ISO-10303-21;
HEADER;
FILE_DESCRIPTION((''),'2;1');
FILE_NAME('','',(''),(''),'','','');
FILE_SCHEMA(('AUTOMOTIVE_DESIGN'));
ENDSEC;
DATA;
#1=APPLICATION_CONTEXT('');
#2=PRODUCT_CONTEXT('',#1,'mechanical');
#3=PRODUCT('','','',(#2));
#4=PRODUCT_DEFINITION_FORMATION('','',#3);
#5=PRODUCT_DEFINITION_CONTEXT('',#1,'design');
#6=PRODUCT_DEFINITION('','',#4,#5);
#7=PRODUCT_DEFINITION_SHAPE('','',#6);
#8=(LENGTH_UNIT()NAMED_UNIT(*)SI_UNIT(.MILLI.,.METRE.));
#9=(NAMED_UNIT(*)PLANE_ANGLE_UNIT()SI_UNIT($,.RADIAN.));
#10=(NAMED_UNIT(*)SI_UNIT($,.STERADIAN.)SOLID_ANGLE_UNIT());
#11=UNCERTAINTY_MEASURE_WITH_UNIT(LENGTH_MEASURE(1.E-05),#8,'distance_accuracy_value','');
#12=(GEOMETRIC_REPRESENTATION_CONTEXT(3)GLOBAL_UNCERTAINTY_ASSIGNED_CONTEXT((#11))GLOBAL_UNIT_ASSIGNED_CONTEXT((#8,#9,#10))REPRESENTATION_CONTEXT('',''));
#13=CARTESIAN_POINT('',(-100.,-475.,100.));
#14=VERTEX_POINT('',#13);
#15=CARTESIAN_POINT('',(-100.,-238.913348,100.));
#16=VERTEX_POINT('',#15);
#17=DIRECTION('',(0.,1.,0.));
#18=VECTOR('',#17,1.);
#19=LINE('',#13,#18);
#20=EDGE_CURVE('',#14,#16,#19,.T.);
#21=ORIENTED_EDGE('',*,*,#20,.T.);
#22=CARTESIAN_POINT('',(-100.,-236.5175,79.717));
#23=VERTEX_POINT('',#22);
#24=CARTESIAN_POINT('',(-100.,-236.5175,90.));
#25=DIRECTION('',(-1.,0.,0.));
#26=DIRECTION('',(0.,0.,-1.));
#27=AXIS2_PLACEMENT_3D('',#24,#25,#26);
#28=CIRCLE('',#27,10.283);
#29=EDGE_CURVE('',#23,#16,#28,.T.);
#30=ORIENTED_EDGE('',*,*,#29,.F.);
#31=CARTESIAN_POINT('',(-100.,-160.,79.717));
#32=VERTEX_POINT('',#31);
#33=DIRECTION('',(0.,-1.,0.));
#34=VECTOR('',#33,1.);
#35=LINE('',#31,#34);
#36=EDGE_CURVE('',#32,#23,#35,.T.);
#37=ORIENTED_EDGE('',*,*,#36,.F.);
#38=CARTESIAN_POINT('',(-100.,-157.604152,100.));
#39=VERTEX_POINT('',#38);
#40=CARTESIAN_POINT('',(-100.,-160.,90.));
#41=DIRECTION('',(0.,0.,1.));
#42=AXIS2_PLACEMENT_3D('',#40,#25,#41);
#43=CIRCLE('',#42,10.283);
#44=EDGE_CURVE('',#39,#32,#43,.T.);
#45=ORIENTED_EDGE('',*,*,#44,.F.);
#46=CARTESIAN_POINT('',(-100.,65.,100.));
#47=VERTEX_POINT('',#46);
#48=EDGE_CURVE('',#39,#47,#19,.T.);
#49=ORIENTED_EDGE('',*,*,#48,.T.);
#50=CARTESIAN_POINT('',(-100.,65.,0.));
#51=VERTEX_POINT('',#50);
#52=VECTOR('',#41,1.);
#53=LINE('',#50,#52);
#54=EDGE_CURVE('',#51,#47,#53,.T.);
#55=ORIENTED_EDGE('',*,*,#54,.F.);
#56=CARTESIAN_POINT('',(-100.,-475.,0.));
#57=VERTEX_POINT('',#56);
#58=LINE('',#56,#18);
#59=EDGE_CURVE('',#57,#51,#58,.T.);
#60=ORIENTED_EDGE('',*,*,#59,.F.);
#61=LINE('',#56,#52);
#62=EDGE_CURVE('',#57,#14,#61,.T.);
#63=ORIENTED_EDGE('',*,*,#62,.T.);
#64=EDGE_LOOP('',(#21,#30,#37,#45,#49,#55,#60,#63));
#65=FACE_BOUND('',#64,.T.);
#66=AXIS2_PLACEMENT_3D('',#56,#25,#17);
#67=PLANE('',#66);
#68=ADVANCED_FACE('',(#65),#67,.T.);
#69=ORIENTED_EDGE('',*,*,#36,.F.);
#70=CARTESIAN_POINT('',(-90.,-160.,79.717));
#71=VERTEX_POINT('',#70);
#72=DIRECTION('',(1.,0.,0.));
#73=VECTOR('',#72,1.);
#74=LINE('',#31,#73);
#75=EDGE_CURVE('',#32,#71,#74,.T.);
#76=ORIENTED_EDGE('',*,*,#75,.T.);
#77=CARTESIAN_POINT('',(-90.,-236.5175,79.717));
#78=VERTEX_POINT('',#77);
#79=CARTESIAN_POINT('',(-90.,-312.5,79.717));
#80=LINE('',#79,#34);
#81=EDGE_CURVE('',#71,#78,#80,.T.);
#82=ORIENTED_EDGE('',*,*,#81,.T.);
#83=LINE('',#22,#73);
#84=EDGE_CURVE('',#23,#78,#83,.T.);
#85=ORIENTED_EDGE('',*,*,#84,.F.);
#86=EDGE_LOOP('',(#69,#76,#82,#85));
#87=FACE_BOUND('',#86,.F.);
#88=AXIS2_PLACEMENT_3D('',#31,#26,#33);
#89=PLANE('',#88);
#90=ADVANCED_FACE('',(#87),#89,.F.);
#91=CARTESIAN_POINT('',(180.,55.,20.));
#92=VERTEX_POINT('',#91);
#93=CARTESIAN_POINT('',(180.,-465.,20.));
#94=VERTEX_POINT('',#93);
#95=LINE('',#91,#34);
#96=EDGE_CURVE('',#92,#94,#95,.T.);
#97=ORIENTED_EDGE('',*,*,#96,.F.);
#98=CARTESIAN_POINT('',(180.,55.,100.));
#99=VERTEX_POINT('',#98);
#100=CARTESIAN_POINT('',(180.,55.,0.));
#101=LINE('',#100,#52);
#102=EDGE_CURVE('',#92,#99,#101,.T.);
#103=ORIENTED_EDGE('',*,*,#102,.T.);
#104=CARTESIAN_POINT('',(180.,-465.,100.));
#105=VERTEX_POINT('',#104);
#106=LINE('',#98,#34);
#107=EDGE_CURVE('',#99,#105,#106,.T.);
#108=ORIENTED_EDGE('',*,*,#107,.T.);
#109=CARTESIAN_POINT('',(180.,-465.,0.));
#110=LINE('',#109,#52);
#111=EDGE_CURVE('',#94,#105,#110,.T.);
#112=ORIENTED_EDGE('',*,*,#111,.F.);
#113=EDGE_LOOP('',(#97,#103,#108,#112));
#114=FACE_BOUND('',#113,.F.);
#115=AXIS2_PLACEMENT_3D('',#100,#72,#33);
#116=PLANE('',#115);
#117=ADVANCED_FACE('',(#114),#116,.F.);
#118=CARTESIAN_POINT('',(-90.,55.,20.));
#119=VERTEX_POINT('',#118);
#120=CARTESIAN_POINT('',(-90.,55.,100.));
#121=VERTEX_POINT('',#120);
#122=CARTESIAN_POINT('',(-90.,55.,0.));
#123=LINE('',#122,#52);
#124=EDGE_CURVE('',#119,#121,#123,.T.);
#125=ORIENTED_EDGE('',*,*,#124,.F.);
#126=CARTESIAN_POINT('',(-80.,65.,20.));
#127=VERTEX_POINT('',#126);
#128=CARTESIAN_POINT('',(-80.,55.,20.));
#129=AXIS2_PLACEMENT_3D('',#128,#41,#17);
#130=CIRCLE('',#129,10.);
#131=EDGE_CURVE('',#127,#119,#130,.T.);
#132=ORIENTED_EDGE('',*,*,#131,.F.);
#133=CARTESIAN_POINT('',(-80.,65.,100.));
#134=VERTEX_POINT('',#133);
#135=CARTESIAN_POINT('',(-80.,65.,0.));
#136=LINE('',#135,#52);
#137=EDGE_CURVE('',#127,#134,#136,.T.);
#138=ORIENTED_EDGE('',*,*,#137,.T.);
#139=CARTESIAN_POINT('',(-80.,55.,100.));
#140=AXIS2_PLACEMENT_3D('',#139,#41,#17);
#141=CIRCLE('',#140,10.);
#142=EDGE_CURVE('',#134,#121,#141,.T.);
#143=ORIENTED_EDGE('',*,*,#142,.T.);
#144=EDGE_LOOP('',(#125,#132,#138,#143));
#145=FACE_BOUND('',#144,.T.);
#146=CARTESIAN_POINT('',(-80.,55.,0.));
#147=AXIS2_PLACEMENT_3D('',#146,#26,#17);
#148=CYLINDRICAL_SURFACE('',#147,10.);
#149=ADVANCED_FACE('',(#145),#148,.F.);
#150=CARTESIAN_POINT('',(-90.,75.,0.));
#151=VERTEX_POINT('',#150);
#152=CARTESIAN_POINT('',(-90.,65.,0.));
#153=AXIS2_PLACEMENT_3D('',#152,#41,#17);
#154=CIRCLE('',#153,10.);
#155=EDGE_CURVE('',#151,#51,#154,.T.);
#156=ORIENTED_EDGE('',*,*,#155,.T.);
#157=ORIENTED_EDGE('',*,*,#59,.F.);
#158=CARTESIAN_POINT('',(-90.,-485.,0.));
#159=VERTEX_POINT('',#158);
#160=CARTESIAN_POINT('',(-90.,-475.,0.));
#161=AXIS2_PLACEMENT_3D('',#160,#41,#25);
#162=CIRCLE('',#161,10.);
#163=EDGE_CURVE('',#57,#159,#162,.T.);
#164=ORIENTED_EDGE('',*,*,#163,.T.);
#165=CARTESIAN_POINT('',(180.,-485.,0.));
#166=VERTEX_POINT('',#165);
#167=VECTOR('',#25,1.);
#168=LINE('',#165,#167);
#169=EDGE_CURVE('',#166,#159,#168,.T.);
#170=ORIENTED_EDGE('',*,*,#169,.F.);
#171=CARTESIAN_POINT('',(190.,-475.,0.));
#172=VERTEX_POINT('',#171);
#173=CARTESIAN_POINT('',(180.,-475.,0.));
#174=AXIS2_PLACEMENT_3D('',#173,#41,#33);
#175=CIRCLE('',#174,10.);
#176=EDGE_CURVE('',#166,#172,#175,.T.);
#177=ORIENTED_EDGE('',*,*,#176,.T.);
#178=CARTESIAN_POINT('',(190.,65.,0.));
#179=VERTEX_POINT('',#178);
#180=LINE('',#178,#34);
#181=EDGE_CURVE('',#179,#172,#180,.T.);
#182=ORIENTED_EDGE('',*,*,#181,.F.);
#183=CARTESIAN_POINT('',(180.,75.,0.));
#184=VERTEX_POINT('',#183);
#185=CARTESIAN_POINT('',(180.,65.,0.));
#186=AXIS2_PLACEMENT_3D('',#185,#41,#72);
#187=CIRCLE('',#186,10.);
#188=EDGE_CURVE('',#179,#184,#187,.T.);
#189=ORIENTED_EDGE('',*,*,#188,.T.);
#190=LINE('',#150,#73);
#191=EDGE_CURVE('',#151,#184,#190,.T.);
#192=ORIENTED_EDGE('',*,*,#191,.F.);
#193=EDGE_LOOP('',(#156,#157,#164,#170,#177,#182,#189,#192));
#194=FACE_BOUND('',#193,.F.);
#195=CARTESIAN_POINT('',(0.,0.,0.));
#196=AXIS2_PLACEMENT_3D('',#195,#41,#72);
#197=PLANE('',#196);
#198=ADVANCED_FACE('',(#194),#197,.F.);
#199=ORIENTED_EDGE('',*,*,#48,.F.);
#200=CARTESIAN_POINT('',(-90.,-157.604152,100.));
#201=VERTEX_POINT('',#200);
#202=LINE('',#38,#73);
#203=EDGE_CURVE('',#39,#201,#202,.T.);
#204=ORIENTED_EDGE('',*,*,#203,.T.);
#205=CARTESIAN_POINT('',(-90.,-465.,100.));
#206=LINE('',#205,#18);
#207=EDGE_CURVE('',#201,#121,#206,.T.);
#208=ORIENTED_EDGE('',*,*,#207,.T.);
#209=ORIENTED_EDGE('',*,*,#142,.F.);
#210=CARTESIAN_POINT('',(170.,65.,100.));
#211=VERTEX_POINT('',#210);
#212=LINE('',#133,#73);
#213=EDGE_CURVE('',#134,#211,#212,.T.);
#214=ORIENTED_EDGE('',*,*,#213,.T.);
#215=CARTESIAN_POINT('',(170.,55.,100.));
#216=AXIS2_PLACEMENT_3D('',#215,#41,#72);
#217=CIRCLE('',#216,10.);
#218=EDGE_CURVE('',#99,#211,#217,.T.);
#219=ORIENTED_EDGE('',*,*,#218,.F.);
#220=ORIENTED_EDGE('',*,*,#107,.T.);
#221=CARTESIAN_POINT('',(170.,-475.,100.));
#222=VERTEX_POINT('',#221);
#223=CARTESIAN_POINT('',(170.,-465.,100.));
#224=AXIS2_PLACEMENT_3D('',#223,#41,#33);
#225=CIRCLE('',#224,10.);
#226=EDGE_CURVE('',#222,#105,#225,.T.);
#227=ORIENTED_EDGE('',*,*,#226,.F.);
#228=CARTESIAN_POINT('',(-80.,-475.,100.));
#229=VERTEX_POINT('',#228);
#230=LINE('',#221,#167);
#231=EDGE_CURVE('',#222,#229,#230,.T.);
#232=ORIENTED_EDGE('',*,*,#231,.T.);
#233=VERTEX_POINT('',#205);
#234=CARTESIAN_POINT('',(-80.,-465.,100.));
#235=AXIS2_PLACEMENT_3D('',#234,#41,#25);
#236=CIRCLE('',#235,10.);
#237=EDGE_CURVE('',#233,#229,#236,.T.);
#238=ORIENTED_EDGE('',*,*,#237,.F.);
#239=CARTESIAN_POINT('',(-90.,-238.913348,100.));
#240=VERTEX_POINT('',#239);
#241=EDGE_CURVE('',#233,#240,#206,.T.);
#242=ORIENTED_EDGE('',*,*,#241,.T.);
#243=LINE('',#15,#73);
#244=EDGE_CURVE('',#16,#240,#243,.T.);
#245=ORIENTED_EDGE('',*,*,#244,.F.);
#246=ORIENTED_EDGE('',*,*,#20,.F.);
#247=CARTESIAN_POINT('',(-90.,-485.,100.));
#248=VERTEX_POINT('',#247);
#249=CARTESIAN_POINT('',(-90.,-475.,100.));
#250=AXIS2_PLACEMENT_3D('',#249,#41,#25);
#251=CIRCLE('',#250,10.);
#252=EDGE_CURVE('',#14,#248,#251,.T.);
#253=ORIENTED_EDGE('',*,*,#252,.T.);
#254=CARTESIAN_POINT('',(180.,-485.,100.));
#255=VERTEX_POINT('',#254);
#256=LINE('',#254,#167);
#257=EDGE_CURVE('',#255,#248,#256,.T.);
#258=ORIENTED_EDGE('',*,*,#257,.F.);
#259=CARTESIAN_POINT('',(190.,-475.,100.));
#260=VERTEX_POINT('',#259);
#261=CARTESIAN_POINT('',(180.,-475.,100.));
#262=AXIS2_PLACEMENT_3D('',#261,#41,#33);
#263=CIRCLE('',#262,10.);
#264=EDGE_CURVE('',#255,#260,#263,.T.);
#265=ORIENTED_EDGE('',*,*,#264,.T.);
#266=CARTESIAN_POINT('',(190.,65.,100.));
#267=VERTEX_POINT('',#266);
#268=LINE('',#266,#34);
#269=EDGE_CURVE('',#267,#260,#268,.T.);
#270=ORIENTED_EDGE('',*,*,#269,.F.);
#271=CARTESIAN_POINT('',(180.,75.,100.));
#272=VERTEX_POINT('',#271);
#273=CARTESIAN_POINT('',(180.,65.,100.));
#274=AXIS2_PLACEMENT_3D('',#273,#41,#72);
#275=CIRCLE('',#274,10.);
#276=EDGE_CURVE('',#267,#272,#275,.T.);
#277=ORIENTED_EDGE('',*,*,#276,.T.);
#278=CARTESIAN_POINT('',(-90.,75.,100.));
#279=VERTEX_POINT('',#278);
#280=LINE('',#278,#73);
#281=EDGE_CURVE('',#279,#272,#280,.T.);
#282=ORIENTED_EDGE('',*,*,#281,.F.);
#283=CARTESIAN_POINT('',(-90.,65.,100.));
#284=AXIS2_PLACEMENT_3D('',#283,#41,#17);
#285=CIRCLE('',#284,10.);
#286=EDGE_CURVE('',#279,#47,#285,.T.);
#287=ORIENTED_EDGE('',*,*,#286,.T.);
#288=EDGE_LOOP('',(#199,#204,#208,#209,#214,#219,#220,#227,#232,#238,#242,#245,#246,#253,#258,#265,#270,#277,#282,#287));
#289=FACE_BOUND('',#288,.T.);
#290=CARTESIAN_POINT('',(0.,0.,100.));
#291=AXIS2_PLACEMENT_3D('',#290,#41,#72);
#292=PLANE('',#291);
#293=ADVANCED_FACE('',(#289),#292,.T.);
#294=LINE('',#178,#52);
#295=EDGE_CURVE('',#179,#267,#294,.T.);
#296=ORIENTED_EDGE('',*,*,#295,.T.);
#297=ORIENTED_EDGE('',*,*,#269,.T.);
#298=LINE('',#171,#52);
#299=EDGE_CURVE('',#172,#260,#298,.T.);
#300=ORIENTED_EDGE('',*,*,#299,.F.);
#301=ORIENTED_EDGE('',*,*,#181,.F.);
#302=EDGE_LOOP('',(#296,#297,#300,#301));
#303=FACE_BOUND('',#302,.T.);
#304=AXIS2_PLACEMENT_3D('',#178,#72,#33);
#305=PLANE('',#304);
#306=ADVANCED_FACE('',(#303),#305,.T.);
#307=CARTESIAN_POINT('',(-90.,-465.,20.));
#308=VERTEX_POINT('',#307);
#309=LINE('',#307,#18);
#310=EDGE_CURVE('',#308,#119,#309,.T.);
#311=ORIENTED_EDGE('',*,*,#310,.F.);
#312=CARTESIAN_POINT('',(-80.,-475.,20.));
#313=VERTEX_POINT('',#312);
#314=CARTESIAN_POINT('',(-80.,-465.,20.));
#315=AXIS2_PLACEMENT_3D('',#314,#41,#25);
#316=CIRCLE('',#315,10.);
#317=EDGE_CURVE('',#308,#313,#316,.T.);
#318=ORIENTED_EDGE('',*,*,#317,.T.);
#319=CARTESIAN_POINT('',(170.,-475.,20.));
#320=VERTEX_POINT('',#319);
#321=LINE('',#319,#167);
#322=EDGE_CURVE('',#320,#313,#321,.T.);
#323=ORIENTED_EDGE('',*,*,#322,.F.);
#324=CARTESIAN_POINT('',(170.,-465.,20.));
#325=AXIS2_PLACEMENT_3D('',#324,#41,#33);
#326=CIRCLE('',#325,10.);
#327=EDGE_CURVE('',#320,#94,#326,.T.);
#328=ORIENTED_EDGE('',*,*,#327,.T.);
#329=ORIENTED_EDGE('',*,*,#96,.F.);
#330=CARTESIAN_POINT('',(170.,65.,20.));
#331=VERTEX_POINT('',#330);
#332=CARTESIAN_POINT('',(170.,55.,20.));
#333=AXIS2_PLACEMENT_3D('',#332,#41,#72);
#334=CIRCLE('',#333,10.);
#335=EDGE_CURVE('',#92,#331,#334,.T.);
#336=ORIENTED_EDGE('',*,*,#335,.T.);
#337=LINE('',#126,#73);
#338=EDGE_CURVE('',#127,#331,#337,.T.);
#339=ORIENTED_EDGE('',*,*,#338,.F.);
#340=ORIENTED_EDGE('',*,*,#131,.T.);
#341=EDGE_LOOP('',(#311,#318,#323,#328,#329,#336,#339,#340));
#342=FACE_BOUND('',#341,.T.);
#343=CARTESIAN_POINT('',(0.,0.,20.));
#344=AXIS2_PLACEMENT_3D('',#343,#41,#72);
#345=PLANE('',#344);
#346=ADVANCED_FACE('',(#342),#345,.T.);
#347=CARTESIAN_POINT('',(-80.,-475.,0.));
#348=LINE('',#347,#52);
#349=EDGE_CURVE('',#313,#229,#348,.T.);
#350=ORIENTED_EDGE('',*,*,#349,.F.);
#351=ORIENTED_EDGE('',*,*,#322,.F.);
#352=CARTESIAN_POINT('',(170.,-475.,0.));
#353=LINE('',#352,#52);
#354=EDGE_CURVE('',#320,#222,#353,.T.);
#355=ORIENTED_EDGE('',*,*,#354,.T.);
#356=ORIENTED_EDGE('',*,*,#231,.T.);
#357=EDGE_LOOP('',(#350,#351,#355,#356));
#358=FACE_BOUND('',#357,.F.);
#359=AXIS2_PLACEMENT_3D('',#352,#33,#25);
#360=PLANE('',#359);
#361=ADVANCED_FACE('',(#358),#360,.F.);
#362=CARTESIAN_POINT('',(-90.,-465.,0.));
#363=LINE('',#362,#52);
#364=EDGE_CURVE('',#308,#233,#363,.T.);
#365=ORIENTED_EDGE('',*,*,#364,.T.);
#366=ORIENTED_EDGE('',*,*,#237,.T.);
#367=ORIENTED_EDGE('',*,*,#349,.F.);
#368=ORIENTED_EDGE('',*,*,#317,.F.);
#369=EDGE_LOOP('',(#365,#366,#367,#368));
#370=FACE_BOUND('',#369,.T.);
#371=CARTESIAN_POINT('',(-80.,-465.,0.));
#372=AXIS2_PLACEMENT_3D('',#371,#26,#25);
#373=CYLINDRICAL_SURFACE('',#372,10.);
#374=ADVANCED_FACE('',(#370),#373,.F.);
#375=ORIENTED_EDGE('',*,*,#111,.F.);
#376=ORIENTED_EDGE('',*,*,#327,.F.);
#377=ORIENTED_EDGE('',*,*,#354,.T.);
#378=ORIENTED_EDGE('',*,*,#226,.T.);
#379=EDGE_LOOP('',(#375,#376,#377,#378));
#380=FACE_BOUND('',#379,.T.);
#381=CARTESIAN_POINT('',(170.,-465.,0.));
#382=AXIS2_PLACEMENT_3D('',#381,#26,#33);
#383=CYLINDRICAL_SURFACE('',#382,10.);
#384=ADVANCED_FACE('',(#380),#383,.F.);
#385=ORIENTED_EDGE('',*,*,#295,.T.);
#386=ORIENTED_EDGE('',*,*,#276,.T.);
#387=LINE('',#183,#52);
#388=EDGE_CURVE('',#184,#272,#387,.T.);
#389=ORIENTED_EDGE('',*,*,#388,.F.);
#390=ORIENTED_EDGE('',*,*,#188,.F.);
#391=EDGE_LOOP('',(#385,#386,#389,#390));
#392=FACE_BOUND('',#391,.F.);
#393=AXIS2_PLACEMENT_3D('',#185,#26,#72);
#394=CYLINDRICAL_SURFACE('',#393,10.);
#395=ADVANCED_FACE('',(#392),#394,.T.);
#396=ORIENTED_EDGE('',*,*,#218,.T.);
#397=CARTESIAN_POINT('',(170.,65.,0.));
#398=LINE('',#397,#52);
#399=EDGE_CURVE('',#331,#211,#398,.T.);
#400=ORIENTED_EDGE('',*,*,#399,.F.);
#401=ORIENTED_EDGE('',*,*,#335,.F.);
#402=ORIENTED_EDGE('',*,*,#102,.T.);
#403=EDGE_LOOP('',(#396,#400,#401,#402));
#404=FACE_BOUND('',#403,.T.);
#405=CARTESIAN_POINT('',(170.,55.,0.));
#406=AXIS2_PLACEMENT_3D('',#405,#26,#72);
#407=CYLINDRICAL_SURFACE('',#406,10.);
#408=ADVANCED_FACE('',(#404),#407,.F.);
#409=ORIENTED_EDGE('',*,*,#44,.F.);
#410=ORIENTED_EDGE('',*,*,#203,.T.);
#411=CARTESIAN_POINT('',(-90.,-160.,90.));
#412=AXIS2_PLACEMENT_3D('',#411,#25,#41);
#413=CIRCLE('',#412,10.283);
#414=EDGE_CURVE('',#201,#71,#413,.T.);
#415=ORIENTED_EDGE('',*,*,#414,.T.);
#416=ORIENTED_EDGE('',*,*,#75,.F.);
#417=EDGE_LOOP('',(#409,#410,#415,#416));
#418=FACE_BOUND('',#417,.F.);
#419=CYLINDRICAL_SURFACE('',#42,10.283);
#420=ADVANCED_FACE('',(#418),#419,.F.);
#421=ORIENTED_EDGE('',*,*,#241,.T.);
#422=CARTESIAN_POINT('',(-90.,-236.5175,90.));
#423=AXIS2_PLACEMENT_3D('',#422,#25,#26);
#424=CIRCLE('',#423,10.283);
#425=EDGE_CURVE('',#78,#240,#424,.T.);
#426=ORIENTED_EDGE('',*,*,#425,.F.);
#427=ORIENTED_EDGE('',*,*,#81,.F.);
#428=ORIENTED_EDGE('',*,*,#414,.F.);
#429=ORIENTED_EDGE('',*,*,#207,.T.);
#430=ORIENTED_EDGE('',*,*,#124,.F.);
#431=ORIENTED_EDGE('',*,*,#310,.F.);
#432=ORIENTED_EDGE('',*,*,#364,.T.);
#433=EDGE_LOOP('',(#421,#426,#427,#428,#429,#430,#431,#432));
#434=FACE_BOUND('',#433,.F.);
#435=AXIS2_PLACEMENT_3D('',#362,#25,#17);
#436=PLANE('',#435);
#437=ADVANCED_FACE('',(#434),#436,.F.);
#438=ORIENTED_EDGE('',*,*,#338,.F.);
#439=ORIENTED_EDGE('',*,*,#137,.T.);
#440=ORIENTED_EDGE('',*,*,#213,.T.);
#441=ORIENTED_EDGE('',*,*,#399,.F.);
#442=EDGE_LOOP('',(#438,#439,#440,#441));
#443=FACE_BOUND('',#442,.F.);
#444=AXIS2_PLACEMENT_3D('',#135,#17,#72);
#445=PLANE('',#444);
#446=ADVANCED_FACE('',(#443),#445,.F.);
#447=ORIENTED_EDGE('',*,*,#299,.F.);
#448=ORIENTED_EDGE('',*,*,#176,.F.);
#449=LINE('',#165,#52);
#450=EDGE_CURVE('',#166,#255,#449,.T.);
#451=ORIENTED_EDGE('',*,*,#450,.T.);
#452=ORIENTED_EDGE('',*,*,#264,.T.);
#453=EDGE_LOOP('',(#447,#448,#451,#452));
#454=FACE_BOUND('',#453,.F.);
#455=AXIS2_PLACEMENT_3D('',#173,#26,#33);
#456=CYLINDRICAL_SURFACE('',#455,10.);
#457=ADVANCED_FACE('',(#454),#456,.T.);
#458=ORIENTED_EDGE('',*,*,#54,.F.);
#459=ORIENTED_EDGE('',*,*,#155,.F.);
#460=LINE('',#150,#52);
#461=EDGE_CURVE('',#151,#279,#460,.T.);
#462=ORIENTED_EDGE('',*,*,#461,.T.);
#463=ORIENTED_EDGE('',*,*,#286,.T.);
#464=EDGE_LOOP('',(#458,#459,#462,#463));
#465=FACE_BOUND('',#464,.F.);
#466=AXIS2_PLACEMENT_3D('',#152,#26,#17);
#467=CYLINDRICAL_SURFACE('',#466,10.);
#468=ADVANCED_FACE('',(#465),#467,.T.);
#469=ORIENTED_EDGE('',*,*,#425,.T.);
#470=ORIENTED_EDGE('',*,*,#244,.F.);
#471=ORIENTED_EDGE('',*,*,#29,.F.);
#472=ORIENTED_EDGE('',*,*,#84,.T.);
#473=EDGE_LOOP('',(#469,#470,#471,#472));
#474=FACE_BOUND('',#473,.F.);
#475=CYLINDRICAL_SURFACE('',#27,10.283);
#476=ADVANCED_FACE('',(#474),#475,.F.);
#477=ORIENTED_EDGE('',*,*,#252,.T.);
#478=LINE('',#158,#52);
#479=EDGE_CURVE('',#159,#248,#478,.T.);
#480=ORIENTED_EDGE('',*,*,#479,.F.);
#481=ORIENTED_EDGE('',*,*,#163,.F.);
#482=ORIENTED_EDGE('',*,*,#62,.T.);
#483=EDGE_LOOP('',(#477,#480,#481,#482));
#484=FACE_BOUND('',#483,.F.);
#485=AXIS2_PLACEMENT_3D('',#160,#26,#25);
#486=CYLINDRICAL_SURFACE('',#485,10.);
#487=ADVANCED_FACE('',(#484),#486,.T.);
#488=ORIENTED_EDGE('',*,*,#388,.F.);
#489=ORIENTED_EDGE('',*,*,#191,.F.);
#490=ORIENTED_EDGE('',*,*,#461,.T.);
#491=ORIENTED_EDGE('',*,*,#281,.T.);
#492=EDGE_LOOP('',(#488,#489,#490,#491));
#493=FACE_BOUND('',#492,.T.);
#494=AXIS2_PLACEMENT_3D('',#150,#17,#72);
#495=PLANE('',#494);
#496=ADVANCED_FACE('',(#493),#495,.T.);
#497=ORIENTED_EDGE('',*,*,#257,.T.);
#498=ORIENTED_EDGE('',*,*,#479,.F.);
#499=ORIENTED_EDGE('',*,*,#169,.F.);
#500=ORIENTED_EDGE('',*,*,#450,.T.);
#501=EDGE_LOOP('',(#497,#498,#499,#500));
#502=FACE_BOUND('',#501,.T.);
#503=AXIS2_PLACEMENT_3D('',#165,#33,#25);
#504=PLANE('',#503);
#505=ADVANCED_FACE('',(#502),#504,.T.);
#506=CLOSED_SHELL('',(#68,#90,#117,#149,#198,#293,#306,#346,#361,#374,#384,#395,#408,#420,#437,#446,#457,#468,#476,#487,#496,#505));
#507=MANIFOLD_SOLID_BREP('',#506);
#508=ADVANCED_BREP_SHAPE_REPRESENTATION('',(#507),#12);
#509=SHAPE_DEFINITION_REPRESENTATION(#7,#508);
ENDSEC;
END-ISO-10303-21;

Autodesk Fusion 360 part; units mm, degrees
sketch "Sketch1" plane through (0, 0, 0) normal (0, 0, 1) x (1, 0, 0)
  line L0 (-90, 75) -> (180, 75)
  line L1 (190, 65) -> (190, -475)
  line L2 (180, -485) -> (-90, -485)
  line L3 (-100, -475) -> (-100, 65)
  line L4 (170, -475) -> (-80, -475)
  line L5 (-90, -465) -> (-90, 55)
  line L6 (-80, 65) -> (170, 65)
  line L7 (180, 55) -> (180, -465)
  arc A0 (190, 65) -> (180, 75) centre (180, 65) ccw
  arc A1 (180, 55) -> (170, 65) centre (170, 55) ccw
  arc A2 (-80, 65) -> (-90, 55) centre (-80, 55) ccw
  arc A3 (180, -485) -> (190, -475) centre (180, -475) ccw
  arc A4 (-90, 75) -> (-100, 65) centre (-90, 65) ccw
  arc A5 (170, -475) -> (180, -465) centre (170, -465) ccw
  arc A6 (-90, -465) -> (-80, -475) centre (-80, -465) ccw
  arc A7 (-100, -475) -> (-90, -485) centre (-90, -475) ccw
  point P0 (-100, 75)
  point P1 (190, 75)
  point P2 (-100, -485)
  dimension "d1" = 290
  dimension "d2" = 560
  dimension "d4" = 10
  dimension "d5" = 10
extrude "Extrude1" add sketch "Sketch1" along normal blind 100
extrude "Extrude2" add sketch "Sketch1" along normal blind 20 contours L4 L5 L6 L7 A1 A2 A5 A6
sketch "Sketch2" plane through (-100, 0, 0) normal (-1, 0, 0) x (0, -1, 0)
  line L0 (-65, 0) -> (475, 0)
  line L1 (475, 0) -> (475, 100)
  line L2 (475, 100) -> (-65, 100)
  line L3 (-65, 100) -> (-65, 0)
  line L4 (160, 79.717) -> (236.5175, 79.717)
  arc A0 (236.5175, 79.717) -> (236.5175, 100.283) centre (236.5175, 90) ccw
  line L5 (236.5175, 100.283) -> (160, 100.283)
  arc A1 (160, 100.283) -> (160, 79.717) centre (160, 90) ccw
  line L6 (160, 90) -> (236.5175, 90) construction
extrude "Extrude3" cut sketch "Sketch2" against normal blind 40 contours L2 L4 A0 A1
